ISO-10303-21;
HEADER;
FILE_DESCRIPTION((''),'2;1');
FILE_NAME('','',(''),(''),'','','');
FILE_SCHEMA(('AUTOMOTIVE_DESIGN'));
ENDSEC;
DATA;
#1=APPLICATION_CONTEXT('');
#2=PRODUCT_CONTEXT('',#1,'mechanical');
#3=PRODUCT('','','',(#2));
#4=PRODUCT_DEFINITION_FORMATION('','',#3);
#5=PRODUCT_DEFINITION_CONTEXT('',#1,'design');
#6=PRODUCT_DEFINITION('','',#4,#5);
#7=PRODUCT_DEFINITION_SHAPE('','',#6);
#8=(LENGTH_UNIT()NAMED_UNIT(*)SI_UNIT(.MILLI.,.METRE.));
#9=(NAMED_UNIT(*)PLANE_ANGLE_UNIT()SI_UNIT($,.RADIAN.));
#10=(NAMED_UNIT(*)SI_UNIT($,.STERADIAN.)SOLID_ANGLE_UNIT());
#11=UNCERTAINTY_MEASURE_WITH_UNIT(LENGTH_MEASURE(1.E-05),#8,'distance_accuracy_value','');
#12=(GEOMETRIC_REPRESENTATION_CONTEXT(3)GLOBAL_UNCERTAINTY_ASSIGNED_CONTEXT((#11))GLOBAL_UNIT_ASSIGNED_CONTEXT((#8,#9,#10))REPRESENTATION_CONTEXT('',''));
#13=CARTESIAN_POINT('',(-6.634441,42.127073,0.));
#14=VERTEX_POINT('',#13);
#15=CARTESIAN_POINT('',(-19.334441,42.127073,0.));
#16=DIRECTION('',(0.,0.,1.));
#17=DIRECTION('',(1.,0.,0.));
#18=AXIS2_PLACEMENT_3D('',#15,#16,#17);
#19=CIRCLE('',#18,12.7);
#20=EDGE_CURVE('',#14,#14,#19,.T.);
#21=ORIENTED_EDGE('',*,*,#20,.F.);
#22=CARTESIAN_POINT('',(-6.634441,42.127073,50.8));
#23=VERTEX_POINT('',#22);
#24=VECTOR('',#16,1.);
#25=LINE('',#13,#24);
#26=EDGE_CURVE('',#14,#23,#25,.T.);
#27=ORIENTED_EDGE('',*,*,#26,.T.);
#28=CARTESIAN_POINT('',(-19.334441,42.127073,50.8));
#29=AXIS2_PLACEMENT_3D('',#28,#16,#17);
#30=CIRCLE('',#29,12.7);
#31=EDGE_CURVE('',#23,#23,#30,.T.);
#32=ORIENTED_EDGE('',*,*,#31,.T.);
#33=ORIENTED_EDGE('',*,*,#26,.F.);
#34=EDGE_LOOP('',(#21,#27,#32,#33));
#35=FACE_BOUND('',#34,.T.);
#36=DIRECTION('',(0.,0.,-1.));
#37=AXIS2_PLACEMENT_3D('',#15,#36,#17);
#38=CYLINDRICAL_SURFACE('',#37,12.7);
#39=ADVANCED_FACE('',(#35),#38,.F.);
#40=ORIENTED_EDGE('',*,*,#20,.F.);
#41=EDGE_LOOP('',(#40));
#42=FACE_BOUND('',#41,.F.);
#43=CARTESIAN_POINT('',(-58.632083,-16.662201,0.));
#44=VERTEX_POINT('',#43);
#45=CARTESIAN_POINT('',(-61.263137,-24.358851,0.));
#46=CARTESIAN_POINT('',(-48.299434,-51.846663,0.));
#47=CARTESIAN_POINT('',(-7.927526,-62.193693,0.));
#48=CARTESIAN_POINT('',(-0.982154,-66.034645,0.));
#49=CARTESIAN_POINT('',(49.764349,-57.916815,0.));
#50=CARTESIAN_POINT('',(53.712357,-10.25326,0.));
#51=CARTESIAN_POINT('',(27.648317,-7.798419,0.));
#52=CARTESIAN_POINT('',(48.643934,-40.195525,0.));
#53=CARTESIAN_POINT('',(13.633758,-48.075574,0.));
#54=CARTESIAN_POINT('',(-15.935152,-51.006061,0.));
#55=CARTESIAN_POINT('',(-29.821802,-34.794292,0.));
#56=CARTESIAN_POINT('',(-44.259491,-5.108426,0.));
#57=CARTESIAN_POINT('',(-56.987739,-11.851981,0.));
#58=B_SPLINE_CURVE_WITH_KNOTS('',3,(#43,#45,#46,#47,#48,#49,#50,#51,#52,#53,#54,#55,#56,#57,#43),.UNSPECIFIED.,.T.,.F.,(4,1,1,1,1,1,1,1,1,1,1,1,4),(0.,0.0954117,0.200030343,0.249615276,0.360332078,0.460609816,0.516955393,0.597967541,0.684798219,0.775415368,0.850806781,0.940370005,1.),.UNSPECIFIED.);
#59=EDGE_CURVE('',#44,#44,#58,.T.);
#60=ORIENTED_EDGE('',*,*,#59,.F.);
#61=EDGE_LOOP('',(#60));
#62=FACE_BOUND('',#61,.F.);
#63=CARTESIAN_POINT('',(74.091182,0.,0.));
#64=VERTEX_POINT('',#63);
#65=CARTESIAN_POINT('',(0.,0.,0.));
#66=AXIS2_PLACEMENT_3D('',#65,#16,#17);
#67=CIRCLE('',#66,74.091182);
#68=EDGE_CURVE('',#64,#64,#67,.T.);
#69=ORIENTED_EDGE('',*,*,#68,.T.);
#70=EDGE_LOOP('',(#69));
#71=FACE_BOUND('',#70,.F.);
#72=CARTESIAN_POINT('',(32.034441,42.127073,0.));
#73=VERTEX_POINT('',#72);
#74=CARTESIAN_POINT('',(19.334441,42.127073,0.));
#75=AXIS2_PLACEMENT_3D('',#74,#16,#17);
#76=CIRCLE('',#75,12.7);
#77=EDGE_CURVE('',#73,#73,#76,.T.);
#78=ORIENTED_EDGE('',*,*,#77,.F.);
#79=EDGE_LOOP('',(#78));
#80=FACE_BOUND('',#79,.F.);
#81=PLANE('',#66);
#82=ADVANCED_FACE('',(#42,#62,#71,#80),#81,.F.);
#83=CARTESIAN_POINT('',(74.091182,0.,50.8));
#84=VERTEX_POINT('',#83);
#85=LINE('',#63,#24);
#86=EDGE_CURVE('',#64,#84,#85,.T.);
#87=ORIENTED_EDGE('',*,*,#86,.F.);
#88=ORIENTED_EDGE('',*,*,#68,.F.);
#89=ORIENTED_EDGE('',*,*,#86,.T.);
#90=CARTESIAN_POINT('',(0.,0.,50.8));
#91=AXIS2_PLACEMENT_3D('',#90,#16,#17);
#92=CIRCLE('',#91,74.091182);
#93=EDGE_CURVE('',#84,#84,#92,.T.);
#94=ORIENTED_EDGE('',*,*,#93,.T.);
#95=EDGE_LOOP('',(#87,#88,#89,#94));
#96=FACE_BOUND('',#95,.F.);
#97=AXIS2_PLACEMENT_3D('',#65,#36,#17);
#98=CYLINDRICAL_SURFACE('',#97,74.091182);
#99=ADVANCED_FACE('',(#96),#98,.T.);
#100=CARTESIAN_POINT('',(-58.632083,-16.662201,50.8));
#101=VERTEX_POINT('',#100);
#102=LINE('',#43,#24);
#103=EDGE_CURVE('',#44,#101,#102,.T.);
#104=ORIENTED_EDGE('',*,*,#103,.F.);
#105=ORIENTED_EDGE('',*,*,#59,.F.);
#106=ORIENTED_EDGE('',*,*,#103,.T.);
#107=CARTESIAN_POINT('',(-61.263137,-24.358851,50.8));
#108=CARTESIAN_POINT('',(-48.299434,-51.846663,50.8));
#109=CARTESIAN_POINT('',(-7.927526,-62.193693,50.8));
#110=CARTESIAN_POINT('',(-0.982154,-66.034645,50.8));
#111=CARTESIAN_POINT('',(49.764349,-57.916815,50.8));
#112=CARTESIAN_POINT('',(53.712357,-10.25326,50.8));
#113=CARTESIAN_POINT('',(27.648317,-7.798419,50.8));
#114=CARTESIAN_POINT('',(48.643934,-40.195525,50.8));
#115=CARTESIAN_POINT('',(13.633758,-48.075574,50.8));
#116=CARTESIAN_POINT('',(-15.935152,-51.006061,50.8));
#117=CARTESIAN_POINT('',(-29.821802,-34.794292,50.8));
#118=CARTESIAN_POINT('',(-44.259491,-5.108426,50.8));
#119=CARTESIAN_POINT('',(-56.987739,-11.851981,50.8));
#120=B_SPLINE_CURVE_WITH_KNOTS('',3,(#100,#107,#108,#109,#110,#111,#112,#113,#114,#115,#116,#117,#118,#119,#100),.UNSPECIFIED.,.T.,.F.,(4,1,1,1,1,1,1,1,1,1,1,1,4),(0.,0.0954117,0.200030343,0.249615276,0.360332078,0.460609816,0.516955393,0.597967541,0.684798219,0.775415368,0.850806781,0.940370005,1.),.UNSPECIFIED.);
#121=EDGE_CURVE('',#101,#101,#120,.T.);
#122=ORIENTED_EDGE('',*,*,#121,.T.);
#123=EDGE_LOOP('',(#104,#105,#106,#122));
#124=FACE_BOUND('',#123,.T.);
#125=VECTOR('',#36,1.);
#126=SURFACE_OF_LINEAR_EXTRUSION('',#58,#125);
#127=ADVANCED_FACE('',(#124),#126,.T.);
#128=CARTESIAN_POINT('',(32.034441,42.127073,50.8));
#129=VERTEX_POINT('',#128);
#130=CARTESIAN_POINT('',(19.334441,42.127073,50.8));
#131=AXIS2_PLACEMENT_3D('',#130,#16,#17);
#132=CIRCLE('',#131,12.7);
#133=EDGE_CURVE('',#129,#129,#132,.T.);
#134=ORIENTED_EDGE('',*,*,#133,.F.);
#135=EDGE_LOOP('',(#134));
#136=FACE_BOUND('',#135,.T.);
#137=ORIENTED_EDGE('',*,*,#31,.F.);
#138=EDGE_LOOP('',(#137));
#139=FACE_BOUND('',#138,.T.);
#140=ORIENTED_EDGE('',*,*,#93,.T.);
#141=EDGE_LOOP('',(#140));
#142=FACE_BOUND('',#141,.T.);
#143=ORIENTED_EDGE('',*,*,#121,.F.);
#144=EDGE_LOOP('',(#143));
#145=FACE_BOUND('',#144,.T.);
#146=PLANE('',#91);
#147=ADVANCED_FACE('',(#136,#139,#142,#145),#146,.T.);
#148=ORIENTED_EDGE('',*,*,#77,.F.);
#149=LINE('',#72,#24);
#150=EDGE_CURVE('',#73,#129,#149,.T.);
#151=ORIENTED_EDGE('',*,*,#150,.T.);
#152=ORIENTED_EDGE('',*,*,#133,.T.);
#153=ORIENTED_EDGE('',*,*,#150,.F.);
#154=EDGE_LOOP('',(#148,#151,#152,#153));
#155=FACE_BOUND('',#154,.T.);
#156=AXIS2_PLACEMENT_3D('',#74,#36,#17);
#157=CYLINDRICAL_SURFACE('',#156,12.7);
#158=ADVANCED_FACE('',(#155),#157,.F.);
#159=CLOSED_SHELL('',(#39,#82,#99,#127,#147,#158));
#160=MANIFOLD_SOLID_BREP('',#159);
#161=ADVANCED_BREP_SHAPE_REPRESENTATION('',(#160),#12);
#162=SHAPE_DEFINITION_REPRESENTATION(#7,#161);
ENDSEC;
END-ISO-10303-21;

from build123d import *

# Parameters (mm, degrees)
F0_R     = 74.0911824738
F0_R_2   = 12.7
F1_DEPTH = 50.8


with BuildPart() as f1:
    # F0 (on Top) → F1 (new body)
    with BuildSketch(Plane.XY):
        Circle(F0_R)
        with BuildLine():
            add(Edge.make_bspline(
                [(-58.6320832372, -16.6622009128), (-61.2631366508, -24.3588513886), (-48.2994337951, -51.8466627109), (-7.9275263581, -62.1936925641), (-0.9821539768, -66.0346453698), (49.7643489144, -57.9168150722), (53.7123574489, -10.2532598231), (27.6483170593, -7.7984192673), (48.6439343372, -40.1955251632), (13.6337583677, -48.0755743444), (-15.9351520607, -51.0060605321), (-29.8218016702, -34.7942918241), (-44.2594911881, -5.1084255642), (-56.9877387659, -11.8519813287), (-58.6320832372, -16.6622009128)],
                knots=[0, 0, 0, 0, 0.0954116996, 0.2000303433, 0.2496152763, 0.3603320777, 0.460609816, 0.5169553931, 0.5979675412, 0.6847982191, 0.7754153682, 0.8508067811, 0.9403700054, 1, 1, 1, 1], degree=3))
        make_face(mode=Mode.SUBTRACT)
        with Locations((-19.3344410509, 42.1270728111)):
            Circle(F0_R_2, mode=Mode.SUBTRACT)
        with Locations((19.3344410509, 42.1270728111)):
            Circle(F0_R_2, mode=Mode.SUBTRACT)
    extrude(amount=F1_DEPTH)


solid = f1.part
